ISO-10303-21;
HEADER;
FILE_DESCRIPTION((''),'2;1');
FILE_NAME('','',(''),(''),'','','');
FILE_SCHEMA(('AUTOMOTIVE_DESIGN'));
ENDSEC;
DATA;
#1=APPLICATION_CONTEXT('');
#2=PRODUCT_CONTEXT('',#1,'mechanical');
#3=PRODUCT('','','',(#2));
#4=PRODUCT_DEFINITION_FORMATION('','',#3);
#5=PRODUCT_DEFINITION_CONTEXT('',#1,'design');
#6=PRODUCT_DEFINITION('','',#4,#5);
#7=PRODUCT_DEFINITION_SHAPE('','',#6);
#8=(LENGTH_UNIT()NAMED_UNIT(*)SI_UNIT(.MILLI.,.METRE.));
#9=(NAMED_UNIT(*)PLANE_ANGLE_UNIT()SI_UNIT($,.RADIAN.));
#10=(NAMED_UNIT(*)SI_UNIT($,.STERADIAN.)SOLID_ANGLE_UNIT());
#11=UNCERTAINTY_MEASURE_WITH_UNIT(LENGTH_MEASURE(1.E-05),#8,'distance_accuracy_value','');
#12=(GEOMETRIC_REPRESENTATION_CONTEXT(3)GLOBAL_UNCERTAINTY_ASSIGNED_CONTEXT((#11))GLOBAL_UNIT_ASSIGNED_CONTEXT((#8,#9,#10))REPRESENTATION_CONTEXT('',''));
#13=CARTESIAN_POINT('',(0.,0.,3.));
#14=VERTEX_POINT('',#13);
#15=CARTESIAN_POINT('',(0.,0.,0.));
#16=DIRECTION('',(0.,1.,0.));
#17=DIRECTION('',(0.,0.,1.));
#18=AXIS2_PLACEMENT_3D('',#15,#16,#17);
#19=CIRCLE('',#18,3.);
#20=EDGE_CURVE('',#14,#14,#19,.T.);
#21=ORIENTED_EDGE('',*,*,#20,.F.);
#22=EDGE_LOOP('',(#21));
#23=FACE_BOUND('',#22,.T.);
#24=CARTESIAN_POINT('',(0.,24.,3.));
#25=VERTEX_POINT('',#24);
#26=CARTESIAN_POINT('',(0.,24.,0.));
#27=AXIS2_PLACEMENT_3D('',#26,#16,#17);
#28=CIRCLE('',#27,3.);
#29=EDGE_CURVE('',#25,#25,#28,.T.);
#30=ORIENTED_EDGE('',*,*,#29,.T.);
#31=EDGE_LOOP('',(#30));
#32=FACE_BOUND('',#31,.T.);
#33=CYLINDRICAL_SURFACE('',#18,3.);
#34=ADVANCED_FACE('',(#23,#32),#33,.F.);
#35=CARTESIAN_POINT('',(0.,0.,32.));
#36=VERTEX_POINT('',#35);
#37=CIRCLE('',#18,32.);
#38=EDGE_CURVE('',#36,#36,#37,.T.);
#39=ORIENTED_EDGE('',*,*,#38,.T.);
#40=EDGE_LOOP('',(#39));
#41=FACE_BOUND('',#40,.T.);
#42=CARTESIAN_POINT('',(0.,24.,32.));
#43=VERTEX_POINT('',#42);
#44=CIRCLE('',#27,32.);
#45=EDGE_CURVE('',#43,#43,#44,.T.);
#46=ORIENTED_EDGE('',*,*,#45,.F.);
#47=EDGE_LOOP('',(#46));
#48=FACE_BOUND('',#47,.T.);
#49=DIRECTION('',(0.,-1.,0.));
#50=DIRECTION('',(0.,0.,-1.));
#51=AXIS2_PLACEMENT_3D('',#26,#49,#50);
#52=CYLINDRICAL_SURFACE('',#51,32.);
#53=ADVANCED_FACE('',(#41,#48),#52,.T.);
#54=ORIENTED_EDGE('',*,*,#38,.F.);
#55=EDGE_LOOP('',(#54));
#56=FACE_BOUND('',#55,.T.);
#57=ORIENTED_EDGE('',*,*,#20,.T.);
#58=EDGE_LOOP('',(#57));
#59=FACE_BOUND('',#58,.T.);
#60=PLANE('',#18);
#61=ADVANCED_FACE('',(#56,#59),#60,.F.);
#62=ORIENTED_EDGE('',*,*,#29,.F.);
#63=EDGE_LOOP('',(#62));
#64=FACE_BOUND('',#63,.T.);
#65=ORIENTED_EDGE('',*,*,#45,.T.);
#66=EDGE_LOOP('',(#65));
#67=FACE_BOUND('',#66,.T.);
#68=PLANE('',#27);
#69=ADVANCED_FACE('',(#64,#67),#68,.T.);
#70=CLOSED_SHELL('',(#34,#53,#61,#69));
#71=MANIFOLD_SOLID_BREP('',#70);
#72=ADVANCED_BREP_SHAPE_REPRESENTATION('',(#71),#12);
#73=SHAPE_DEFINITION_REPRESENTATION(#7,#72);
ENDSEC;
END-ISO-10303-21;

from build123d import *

# Parameters (mm, degrees)
SKETCH1_R           = 32
BOSS_EXTRUDE1_DEPTH = 24
SKETCH2_R           = 3
CUT_EXTRUDE1_DEPTH  = 24


with BuildPart() as part:
    # Sketch1 → Boss-Extrude1 (new body)
    with BuildSketch(Plane(origin=(0, 0, 0), x_dir=(1, 0, 0), z_dir=(0, 1, 0))):
        Circle(SKETCH1_R)
    extrude(amount=BOSS_EXTRUDE1_DEPTH)

    # Sketch2 → Cut-Extrude1 (cut)
    with BuildSketch(Plane(origin=(0, 24, 0), x_dir=(1, 0, 0), z_dir=(0, 1, 0))):
        Circle(SKETCH2_R)
    extrude(amount=-CUT_EXTRUDE1_DEPTH, mode=Mode.SUBTRACT)


solid = part.part
